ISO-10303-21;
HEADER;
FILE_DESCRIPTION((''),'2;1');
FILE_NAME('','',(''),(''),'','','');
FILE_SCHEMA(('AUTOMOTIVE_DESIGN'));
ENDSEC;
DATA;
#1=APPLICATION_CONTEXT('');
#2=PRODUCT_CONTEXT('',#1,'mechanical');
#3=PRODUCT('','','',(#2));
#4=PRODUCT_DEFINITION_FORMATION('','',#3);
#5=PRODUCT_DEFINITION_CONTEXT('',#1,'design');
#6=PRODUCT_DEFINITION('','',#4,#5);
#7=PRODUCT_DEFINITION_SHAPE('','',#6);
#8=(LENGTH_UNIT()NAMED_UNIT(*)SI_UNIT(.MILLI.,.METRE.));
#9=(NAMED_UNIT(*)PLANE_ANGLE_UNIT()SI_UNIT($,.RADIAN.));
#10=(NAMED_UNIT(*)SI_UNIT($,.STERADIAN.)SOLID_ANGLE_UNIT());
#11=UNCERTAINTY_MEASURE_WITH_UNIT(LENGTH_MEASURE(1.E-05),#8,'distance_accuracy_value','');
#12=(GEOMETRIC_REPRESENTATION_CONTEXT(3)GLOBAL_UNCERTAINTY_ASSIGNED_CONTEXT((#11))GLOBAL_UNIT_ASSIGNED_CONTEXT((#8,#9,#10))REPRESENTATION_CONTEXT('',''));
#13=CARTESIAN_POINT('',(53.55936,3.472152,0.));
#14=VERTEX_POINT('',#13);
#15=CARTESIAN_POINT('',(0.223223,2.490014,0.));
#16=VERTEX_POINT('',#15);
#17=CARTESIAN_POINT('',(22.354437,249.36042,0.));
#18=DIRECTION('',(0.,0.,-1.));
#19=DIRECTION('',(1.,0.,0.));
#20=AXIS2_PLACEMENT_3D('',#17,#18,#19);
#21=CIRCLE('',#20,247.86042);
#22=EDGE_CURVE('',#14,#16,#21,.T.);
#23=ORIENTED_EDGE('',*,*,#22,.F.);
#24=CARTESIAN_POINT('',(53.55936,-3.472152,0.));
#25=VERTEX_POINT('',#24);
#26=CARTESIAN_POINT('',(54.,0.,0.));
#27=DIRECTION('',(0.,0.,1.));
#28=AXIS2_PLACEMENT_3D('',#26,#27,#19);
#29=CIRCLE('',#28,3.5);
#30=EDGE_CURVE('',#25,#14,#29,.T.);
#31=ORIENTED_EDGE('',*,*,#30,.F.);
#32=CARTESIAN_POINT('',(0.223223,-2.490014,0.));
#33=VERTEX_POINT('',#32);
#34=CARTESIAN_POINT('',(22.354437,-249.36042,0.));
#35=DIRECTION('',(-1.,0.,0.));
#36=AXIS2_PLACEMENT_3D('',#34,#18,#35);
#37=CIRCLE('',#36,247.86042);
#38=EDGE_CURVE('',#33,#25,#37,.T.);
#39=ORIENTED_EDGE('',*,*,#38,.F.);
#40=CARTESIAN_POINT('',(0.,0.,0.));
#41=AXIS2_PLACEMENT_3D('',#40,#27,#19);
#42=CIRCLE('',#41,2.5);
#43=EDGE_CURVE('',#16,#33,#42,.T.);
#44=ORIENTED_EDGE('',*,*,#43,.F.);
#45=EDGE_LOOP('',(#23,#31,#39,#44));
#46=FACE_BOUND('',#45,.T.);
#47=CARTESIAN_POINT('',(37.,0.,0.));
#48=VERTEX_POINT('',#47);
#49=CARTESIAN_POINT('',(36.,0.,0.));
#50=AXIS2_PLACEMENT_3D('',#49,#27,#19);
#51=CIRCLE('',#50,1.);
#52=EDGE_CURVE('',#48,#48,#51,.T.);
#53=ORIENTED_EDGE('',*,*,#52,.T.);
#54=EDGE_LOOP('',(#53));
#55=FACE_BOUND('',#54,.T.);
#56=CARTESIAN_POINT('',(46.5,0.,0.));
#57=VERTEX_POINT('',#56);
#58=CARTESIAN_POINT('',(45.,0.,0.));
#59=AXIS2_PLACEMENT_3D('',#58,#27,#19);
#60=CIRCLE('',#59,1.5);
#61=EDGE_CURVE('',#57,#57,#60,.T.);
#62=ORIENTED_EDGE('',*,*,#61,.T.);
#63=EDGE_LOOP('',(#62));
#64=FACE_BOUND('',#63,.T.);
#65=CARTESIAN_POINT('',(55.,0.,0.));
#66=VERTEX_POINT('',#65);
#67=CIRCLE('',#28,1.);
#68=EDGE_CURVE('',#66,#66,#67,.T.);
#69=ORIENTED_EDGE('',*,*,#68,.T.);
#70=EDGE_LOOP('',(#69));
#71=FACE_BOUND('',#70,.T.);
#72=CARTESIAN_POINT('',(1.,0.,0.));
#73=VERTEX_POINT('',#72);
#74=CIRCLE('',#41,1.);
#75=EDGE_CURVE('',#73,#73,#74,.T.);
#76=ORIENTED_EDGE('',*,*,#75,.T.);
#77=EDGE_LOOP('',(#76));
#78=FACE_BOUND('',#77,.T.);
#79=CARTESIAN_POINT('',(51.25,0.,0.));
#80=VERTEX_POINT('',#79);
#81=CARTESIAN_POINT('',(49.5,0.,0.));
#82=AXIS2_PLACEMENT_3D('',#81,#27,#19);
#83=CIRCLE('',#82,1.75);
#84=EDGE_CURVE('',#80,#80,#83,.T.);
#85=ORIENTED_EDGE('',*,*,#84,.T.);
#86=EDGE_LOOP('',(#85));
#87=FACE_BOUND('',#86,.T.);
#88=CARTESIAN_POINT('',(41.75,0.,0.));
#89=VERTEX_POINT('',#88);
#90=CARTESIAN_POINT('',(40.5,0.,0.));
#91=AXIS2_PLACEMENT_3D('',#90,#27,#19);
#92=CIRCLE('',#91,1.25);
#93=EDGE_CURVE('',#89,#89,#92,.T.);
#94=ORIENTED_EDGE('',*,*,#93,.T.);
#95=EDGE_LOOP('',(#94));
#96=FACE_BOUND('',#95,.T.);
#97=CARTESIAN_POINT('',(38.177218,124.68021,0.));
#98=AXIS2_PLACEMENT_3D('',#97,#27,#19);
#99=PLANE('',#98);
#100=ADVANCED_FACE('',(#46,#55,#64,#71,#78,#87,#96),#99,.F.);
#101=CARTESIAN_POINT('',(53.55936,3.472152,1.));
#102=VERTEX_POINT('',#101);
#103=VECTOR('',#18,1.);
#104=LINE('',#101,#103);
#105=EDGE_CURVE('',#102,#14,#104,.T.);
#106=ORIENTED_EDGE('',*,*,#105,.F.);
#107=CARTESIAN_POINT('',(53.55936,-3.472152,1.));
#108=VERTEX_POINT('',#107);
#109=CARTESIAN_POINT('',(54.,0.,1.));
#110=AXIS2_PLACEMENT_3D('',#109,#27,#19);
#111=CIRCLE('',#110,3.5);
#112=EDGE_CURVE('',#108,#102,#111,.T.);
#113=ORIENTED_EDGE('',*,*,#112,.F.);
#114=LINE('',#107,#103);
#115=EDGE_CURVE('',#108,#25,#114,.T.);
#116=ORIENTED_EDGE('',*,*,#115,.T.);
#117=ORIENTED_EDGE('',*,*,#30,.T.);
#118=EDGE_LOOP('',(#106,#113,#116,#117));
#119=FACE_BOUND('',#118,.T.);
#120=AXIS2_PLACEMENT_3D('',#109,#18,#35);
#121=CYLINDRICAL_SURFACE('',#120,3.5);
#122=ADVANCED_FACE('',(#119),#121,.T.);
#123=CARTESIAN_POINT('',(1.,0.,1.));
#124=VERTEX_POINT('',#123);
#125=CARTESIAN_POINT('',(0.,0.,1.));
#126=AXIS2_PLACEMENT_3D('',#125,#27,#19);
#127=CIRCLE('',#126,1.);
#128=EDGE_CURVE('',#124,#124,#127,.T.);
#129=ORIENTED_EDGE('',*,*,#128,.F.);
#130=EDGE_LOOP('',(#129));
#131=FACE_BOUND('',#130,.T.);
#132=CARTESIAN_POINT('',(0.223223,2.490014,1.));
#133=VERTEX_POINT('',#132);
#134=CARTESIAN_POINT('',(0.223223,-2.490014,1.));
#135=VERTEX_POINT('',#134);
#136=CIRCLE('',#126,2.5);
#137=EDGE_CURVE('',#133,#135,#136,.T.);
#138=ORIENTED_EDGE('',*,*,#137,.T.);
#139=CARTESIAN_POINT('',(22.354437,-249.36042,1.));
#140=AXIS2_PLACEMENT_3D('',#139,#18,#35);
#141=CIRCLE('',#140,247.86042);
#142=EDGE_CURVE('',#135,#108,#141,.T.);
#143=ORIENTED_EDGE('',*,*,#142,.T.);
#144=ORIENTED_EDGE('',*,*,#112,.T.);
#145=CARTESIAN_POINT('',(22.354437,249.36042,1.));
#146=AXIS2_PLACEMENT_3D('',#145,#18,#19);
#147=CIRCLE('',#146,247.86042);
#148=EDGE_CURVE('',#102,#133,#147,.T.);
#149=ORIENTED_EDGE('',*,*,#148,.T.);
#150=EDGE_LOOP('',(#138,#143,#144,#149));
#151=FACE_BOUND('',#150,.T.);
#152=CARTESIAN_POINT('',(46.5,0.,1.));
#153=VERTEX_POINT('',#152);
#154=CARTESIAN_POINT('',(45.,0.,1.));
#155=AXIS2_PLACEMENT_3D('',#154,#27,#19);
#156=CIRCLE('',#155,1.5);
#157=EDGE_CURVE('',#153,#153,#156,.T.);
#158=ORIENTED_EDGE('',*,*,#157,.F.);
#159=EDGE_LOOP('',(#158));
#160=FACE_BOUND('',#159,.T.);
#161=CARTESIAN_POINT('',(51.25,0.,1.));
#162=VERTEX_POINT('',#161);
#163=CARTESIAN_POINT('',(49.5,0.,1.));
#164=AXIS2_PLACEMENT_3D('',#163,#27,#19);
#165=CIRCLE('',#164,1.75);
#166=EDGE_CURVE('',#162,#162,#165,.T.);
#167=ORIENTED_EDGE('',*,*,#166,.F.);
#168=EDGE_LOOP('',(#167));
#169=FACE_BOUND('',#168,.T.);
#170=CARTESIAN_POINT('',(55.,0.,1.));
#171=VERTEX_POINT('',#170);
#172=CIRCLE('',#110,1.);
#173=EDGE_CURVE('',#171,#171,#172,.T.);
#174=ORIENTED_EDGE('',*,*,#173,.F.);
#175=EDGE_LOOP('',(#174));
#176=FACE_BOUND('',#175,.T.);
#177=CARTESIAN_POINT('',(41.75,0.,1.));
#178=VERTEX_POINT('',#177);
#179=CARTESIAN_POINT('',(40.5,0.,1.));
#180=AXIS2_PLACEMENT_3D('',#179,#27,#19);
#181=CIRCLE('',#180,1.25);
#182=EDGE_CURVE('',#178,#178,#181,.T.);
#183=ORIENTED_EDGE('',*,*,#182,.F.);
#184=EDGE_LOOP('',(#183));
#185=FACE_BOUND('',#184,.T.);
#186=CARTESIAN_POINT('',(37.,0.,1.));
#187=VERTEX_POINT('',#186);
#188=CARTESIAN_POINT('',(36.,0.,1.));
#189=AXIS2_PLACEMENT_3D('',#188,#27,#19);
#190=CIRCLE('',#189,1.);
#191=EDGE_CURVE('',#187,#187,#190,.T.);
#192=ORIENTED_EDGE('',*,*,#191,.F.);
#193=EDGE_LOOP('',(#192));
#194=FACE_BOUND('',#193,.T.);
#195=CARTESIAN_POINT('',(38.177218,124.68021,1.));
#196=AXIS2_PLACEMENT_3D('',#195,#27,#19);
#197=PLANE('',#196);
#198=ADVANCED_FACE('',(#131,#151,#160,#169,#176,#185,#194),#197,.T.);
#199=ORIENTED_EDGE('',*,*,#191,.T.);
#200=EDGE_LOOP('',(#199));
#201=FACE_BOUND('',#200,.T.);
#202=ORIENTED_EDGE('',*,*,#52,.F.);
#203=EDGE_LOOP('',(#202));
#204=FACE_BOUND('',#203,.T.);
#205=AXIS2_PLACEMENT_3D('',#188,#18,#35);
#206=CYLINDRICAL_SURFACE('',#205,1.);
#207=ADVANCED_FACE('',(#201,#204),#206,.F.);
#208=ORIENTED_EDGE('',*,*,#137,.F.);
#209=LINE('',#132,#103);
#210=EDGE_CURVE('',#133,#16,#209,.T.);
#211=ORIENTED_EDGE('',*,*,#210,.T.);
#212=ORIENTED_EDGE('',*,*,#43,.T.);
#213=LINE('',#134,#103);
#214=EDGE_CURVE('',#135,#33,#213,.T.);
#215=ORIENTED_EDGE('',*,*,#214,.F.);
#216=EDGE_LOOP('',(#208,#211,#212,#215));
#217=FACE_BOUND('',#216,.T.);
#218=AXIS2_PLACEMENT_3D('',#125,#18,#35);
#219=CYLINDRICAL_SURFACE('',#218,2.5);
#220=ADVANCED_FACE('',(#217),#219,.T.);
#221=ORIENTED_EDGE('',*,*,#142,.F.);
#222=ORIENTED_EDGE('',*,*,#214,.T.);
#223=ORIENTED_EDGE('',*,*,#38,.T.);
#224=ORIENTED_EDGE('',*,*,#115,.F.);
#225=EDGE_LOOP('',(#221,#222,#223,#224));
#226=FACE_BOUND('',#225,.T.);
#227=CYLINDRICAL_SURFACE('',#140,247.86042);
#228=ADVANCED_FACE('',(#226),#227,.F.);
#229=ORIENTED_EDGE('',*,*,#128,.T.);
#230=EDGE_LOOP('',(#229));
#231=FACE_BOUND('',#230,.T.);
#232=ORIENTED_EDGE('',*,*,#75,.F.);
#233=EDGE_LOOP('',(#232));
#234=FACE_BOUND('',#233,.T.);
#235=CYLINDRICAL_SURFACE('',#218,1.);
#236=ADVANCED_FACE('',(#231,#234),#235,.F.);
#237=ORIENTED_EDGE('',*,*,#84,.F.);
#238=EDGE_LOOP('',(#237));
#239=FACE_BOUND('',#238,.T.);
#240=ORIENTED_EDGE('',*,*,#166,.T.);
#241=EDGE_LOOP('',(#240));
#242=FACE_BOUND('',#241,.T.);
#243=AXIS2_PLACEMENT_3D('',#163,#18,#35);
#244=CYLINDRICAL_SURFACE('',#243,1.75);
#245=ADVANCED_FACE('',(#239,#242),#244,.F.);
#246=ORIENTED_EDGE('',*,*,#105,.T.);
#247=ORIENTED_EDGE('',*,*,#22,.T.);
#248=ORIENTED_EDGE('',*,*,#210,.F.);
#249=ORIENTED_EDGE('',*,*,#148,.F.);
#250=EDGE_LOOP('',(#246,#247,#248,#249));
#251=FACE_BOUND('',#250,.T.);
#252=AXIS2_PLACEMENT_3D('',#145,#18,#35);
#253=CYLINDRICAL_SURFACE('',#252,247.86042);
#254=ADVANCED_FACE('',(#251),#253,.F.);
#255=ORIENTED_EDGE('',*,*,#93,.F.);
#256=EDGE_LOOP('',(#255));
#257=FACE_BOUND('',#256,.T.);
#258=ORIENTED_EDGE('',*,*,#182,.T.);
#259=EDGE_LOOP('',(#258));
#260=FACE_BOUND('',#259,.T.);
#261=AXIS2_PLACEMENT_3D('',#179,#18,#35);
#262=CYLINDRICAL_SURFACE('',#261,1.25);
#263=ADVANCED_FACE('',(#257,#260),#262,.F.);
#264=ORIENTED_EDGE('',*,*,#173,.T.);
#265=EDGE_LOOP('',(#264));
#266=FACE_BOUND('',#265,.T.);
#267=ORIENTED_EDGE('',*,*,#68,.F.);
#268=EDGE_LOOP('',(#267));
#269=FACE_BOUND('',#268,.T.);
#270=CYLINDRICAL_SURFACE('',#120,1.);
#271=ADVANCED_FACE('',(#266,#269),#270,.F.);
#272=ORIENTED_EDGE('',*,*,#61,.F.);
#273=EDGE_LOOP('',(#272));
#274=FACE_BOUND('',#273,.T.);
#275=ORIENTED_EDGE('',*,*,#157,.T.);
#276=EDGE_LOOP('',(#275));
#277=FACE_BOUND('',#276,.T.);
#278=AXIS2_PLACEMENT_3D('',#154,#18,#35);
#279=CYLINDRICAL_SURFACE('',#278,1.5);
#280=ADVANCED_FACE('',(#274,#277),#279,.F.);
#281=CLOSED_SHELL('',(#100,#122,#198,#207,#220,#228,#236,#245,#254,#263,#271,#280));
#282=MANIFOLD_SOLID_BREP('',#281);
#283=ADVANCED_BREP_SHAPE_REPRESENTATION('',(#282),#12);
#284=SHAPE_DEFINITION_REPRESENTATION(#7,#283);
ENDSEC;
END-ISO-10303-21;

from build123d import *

# Parameters (mm, degrees)
SKETCH_1_R      = 1
SKETCH_1_R_2    = 1.75
SKETCH_1_R_3    = 1.5
SKETCH_1_R_4    = 1.25
EXTRUDE_1_DEPTH = 1


with BuildPart() as part:
    # 草图1 → 凸台-拉伸1 (new body)
    with BuildSketch(Plane.XY):
        with BuildLine():
            ThreePointArc((0.223222552, 2.490014396), (-2.5, 0), (0.223222552, -2.490014396))
            ThreePointArc((0.223222552, -2.490014396), (26.917790455, -1.542011473), (53.559359935, -3.472151542))
            ThreePointArc((53.559359935, -3.472151542), (57.5, 0), (53.559359935, 3.472151542))
            ThreePointArc((53.559359935, 3.472151542), (26.917790455, 1.542011473), (0.223222552, 2.490014396))
        make_face()
        Circle(SKETCH_1_R, mode=Mode.SUBTRACT)
        with Locations((54, 0)):
            Circle(SKETCH_1_R, mode=Mode.SUBTRACT)
        with Locations((49.5, 0)):
            Circle(SKETCH_1_R_2, mode=Mode.SUBTRACT)
        with Locations((45, 0)):
            Circle(SKETCH_1_R_3, mode=Mode.SUBTRACT)
        with Locations((40.5, 0)):
            Circle(SKETCH_1_R_4, mode=Mode.SUBTRACT)
        with Locations((36, 0)):
            Circle(SKETCH_1_R, mode=Mode.SUBTRACT)
    extrude(amount=EXTRUDE_1_DEPTH)


solid = part.part
